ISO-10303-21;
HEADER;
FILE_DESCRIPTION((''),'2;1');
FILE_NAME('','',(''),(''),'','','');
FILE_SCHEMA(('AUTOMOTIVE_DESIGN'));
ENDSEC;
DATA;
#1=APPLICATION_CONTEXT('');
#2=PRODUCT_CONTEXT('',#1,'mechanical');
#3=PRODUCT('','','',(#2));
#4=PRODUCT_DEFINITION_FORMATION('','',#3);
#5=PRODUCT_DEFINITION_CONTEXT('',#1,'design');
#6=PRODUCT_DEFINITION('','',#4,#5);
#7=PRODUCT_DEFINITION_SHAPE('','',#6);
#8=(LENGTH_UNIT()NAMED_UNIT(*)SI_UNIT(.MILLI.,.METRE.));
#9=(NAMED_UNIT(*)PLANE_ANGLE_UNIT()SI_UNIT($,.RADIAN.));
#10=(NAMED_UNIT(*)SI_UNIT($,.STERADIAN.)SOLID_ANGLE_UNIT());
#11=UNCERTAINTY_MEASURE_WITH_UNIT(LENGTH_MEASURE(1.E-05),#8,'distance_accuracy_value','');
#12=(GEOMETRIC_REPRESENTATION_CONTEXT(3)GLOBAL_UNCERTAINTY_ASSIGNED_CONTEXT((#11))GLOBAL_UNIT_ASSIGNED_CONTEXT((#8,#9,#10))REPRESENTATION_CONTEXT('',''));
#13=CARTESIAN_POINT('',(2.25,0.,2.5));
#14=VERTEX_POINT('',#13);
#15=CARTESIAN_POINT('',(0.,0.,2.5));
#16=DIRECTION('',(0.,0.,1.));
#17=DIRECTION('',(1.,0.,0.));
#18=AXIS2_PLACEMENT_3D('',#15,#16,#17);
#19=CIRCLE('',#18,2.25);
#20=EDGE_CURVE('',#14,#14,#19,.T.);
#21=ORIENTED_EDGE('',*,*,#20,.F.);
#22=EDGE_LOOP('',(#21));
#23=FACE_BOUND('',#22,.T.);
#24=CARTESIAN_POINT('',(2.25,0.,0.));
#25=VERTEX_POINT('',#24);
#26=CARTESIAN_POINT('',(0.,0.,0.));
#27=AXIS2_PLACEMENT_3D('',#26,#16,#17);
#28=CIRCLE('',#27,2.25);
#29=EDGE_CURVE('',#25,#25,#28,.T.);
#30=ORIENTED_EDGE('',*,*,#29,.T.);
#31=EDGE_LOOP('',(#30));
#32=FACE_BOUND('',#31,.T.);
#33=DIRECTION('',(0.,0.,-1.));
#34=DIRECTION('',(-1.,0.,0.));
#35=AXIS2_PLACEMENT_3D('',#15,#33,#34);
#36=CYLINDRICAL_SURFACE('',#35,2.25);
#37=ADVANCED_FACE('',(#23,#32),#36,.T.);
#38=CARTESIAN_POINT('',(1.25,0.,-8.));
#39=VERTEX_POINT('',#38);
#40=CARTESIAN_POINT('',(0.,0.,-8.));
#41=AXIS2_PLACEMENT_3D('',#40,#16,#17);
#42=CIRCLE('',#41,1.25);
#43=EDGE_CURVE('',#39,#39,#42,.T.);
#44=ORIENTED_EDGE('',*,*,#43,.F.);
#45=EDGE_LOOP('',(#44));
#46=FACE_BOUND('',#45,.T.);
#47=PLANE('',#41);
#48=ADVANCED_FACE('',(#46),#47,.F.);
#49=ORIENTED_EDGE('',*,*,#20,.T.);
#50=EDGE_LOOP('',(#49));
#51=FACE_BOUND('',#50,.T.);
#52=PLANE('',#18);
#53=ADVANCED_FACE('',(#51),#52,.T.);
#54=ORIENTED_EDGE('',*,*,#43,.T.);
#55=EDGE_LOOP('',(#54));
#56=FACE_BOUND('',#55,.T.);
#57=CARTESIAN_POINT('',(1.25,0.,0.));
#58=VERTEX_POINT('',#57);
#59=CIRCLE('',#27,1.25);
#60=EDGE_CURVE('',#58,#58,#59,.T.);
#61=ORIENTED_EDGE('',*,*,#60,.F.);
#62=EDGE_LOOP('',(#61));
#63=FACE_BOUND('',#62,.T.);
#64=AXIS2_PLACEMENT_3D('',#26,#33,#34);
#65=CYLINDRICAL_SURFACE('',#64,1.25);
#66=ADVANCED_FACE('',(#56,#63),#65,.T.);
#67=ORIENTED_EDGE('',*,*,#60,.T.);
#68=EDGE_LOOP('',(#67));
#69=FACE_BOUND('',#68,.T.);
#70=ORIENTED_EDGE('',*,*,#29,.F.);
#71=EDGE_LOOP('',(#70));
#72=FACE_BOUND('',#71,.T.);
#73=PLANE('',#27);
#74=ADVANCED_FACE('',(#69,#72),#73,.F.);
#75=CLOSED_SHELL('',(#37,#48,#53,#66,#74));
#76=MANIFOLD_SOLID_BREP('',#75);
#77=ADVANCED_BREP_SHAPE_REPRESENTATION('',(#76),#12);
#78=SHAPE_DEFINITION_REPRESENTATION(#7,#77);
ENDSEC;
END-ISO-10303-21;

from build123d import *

# Parameters (mm, degrees)
THREAD_ENVELOPE_START = -8
SKETCH1_R             = 1.25
THREAD_ENVELOPE_DEPTH = 8
SKETCH2_R             = 2.25
HEAD_ENVELOPE_DEPTH   = 2.5


with BuildPart() as part:
    # Sketch1 → Thread_Envelope (new body)
    with BuildSketch(Plane.XY.offset(THREAD_ENVELOPE_START)):
        Circle(SKETCH1_R)
    extrude(amount=THREAD_ENVELOPE_DEPTH)

    # Sketch2 → Head_Envelope (add)
    with BuildSketch(Plane.XY):
        Circle(SKETCH2_R)
    extrude(amount=HEAD_ENVELOPE_DEPTH)


solid = part.part
